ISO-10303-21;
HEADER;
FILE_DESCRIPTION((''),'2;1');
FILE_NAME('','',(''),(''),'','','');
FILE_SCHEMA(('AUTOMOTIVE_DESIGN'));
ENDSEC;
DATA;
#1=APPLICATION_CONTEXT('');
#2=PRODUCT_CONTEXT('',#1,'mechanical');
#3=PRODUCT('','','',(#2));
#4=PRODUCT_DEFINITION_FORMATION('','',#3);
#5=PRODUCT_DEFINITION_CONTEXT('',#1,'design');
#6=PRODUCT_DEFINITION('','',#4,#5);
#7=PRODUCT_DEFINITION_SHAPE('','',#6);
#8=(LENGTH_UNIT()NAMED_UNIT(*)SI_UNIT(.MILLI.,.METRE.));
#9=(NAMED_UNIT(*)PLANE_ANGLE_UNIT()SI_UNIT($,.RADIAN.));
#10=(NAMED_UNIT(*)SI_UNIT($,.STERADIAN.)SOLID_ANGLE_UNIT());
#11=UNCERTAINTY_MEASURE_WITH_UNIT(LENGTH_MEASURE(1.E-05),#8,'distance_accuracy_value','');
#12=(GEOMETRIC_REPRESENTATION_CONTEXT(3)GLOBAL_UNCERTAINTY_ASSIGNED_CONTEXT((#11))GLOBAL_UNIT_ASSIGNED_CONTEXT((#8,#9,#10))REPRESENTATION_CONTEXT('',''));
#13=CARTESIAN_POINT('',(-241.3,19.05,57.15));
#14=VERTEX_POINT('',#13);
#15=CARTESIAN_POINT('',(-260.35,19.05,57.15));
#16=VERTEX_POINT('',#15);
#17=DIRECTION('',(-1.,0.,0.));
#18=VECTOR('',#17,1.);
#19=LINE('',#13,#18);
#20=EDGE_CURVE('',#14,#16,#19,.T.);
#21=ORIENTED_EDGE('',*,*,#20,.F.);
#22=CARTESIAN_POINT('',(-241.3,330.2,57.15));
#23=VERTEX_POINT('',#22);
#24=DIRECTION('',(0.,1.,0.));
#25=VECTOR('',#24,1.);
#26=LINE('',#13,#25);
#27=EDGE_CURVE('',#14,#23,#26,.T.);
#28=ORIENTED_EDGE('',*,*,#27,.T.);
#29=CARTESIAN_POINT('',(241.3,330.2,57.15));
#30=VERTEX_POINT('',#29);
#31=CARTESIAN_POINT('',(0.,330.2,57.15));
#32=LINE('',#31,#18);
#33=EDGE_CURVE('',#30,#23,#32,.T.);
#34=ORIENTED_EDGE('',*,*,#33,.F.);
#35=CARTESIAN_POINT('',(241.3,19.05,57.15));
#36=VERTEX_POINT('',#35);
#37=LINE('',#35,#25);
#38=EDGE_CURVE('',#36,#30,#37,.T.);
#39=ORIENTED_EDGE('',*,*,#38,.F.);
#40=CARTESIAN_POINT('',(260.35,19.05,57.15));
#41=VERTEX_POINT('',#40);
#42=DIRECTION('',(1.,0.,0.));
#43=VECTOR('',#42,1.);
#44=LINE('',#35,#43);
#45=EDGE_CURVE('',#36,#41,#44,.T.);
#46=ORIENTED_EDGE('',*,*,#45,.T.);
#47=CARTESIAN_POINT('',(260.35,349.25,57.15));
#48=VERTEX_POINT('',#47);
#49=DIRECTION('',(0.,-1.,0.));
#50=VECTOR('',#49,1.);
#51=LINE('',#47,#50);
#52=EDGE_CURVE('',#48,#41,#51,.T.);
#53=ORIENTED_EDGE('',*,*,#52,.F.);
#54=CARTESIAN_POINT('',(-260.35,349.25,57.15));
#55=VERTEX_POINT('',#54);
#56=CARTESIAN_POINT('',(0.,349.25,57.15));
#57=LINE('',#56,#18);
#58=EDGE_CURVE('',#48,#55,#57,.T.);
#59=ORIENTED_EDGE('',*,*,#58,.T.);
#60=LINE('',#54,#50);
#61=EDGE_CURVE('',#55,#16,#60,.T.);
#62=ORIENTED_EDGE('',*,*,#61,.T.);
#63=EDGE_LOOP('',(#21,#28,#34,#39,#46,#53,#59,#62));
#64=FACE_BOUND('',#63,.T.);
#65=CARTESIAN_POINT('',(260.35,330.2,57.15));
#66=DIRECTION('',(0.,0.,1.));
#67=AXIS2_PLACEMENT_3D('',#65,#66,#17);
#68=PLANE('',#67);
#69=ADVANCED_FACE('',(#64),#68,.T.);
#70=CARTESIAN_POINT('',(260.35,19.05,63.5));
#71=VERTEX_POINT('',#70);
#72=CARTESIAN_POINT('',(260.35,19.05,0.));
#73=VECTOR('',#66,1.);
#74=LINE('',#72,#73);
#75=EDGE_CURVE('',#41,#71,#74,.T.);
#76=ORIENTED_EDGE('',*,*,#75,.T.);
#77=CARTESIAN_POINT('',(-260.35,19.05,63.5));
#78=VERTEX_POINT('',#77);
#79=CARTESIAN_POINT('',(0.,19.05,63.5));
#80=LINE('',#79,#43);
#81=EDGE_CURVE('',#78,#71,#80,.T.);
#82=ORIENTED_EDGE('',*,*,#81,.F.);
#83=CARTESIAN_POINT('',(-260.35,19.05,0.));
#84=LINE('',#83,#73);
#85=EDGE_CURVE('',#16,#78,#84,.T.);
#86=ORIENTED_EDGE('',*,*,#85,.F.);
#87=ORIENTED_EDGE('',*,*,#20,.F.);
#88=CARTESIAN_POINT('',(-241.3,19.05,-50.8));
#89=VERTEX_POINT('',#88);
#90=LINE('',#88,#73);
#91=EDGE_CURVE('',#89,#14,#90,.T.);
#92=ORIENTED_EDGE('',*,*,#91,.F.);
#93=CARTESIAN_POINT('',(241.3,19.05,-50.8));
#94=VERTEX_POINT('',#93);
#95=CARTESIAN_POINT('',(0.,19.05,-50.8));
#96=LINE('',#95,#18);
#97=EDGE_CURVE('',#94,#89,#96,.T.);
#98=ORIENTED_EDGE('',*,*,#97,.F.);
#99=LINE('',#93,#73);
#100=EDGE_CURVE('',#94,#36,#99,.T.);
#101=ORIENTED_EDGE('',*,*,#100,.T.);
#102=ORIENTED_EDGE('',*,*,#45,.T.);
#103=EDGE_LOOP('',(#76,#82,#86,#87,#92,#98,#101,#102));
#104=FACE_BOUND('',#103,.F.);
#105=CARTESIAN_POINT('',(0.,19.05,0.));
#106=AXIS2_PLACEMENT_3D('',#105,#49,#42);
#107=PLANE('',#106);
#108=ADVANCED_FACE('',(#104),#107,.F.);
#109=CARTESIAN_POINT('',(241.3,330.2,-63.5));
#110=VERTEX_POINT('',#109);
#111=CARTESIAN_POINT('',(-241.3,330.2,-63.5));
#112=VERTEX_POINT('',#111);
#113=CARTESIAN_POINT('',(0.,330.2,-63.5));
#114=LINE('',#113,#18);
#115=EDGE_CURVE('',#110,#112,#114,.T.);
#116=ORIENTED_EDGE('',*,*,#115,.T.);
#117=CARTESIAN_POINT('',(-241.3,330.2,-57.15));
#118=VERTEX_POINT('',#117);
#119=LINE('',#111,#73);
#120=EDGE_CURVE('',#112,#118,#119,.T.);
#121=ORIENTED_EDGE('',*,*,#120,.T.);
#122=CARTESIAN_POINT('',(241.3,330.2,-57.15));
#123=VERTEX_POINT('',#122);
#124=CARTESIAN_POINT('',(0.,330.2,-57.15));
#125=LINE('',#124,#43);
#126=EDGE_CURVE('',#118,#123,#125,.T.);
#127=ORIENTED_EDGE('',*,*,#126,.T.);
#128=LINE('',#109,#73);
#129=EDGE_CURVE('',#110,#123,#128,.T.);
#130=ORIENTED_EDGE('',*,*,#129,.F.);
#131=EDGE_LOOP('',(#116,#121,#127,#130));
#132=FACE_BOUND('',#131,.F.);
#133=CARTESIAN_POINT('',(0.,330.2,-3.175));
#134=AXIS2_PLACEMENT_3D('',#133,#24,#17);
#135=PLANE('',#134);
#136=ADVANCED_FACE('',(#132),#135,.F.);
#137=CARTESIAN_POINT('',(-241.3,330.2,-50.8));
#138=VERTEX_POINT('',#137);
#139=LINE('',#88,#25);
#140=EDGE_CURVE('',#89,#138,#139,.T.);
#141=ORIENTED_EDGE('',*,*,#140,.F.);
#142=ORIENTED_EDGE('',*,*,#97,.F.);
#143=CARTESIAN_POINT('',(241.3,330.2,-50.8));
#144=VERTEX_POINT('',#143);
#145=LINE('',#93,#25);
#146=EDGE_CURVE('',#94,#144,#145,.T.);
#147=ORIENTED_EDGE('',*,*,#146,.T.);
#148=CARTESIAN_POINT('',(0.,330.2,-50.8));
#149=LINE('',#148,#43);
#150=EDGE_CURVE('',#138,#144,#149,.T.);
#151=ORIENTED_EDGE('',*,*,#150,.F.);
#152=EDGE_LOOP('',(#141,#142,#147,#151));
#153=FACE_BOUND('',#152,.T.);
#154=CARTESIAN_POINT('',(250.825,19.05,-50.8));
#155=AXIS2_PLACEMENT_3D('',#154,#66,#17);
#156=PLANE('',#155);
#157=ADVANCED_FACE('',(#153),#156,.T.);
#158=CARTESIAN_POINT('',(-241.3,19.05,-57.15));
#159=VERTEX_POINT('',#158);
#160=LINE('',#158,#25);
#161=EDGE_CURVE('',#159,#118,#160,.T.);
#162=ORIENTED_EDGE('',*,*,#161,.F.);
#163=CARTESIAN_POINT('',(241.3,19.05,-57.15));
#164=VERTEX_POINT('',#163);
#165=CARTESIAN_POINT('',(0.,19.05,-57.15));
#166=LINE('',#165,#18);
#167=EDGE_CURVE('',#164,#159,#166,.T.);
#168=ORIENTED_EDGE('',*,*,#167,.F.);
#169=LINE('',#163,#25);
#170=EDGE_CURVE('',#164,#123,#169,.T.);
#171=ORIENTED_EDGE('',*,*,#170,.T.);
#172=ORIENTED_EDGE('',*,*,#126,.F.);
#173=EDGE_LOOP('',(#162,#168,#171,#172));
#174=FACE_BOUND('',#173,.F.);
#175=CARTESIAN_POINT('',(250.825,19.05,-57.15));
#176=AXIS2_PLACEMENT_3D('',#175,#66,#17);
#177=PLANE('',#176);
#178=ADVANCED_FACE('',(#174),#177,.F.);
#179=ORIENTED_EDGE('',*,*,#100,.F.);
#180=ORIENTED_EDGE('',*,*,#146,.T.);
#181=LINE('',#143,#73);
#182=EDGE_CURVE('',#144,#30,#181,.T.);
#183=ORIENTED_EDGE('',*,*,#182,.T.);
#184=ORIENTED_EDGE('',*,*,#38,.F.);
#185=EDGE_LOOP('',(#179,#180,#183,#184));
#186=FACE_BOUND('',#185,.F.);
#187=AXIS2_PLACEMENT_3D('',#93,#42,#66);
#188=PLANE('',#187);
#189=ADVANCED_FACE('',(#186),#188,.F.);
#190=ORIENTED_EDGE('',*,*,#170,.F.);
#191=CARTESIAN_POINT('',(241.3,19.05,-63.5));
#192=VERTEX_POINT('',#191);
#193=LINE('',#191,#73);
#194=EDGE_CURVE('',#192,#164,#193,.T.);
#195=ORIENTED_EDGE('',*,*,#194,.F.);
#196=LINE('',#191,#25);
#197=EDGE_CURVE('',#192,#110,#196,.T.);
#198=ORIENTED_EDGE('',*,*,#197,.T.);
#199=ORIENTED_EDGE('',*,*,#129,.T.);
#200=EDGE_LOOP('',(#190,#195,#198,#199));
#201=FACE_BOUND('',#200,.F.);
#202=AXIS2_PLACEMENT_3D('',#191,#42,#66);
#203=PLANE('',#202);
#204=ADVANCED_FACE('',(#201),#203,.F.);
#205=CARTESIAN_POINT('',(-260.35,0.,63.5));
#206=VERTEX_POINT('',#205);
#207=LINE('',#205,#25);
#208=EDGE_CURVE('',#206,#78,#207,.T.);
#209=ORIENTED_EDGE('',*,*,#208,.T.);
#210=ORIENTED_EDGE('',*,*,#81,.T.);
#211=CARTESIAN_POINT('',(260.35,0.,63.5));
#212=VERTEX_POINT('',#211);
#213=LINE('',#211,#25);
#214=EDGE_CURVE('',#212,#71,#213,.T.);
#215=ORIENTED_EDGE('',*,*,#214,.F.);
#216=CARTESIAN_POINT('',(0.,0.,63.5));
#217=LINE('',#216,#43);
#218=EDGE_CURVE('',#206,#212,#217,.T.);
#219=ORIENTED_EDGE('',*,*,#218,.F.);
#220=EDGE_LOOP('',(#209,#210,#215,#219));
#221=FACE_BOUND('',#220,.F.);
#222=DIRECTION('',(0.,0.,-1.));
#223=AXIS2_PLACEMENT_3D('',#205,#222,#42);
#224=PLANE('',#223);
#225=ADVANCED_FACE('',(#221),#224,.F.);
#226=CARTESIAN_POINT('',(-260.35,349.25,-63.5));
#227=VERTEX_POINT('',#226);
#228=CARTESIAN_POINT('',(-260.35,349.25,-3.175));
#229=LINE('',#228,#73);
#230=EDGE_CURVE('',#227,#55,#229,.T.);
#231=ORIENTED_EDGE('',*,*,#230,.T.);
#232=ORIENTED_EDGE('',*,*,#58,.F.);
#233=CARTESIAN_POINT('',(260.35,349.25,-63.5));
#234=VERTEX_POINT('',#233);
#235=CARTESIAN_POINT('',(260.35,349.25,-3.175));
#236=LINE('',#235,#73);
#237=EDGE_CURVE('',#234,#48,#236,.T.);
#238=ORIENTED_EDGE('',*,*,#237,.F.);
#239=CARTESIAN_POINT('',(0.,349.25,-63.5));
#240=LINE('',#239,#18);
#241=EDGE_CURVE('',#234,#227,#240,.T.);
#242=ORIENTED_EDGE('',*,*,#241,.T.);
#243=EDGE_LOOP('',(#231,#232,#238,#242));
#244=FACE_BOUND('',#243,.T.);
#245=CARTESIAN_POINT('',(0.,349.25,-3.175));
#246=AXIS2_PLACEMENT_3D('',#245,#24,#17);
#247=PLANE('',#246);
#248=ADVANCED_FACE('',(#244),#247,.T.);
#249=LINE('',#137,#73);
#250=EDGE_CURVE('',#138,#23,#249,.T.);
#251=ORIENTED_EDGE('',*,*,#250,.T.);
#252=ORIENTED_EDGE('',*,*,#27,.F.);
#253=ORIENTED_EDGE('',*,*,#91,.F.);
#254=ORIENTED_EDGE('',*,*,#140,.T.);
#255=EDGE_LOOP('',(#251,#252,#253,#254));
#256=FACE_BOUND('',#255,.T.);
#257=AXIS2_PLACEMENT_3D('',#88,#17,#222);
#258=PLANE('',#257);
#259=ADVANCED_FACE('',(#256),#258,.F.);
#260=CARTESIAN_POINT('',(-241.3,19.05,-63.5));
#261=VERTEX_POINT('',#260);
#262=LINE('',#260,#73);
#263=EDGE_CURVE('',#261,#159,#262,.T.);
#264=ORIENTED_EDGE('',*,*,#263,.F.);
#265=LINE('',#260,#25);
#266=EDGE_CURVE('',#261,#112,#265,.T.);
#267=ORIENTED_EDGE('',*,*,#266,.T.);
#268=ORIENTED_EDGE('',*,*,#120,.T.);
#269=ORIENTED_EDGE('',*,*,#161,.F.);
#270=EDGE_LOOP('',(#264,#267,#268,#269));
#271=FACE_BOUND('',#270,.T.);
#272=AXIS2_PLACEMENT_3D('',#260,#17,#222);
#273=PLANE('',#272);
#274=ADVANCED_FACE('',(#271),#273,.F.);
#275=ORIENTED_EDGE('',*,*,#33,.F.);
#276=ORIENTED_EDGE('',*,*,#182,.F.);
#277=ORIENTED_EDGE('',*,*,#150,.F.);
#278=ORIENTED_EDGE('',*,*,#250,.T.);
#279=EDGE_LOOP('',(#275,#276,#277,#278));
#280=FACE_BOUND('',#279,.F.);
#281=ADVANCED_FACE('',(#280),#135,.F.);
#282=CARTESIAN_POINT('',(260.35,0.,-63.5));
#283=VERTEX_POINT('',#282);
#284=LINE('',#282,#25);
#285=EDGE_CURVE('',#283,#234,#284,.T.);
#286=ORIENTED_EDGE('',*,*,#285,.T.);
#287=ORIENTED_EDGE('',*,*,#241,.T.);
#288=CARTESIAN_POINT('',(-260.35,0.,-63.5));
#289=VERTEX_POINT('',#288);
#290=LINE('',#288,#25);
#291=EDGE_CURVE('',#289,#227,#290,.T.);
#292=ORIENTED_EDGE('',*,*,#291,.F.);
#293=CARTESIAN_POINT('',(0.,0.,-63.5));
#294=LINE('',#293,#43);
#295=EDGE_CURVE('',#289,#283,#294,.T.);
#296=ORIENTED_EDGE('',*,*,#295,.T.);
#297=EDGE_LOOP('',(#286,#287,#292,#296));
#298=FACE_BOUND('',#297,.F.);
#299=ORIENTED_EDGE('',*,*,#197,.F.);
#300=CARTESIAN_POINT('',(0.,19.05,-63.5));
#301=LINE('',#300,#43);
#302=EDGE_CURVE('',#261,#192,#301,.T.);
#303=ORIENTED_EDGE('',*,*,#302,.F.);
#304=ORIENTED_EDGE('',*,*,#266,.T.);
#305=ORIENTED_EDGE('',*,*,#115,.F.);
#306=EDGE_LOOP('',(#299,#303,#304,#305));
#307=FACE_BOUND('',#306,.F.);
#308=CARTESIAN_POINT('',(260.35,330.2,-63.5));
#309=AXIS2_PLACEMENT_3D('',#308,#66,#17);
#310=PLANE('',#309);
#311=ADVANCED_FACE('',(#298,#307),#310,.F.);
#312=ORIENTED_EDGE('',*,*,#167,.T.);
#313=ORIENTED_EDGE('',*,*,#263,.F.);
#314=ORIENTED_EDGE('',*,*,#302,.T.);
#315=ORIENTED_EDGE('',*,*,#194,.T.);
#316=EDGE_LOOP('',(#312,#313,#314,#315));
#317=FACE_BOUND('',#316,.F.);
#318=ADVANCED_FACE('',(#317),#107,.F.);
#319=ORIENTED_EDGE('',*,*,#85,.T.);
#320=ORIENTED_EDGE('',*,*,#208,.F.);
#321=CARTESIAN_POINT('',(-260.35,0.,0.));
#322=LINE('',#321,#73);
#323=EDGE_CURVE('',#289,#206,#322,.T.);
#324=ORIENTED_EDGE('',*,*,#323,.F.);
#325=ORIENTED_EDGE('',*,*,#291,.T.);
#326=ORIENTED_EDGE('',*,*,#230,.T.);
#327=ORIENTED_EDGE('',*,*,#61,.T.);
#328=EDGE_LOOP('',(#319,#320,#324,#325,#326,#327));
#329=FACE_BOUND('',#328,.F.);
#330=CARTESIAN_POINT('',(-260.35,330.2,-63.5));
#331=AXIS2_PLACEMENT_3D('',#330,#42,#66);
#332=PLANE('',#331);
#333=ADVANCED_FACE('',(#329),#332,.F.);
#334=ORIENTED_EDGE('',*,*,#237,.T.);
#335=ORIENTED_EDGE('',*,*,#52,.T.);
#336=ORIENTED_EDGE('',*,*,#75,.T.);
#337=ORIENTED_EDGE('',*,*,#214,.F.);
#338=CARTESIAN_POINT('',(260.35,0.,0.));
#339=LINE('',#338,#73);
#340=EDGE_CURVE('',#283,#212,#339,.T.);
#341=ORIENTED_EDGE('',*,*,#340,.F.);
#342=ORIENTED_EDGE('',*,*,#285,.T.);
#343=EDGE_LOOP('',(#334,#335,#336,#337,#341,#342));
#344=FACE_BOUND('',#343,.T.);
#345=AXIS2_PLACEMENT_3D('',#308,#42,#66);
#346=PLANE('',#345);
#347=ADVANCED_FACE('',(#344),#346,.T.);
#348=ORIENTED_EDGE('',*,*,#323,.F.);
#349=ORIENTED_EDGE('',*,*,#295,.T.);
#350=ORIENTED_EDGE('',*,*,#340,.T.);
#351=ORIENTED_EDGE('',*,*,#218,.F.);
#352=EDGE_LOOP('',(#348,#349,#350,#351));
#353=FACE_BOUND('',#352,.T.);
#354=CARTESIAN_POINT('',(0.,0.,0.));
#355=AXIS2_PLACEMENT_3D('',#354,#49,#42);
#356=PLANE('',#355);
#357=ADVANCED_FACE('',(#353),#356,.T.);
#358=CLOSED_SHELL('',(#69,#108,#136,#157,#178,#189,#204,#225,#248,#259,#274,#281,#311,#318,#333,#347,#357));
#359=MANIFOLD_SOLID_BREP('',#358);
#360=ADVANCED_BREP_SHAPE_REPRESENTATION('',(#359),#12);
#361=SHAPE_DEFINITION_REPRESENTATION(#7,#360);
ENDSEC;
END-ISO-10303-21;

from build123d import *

# Parameters (mm, degrees)
F0_W      = 520.7
F0_H      = 127
F1_DEPTH  = 19.05
F3_DEPTH  = 311.15
F5_W      = 520.7
F5_H      = 120.65
F6_DEPTH  = 19.05
F7_W      = 501.65
F7_H      = 6.35
F8_DEPTH  = 6.35
F9_W      = 501.65
F9_H      = 6.35
F10_DEPTH = 317.5


with BuildPart() as f1:
    # F0 (on Front) → F1 (new body)
    with BuildSketch(Plane.XZ):
        Rectangle(F0_W, F0_H)
    extrude(amount=-F1_DEPTH)

    # F2 (on face) → F3 (join)
    with BuildSketch(Plane(origin=(0, 19.05, 0), x_dir=(-1, 0, 0), z_dir=(0, 1, 0))):
        Polygon((-260.35, 57.15), (-260.35, -63.5), (-241.3, -63.5), (-241.3, -57.15), (-250.825, -57.15), (-250.825, -50.8), (-241.3, -50.8), (-241.3, 57.15), align=None)
    extrude(amount=F3_DEPTH)

    # F4: F1 across plane


with BuildPart() as f1_1:
    add(f1.part)
    add(f1.part.mirror(Plane.YZ))

    # F5 (on face) → F6 (join)
    with BuildSketch(Plane(origin=(0, 330.2, 0), x_dir=(-1, 0, 0), z_dir=(0, 1, 0))):
        with Locations((0, -3.175)):
            Rectangle(F5_W, F5_H)
    extrude(amount=F6_DEPTH)

    # F7 (on face) → F8 (cut)
    with BuildSketch(Plane.XZ.offset(-330.2)):
        with Locations((0, -53.975)):
            Rectangle(F7_W, F7_H)
    extrude(amount=-F8_DEPTH, mode=Mode.SUBTRACT)

    # F9 (on face) → F10 (join, through all)
    with BuildSketch(Plane(origin=(0, 19.05, 0), x_dir=(-1, 0, 0), z_dir=(0, 1, 0))):
        with Locations((0, -53.975)):
            Rectangle(F9_W, F9_H)
    extrude(amount=F10_DEPTH)


solid = f1_1.part
